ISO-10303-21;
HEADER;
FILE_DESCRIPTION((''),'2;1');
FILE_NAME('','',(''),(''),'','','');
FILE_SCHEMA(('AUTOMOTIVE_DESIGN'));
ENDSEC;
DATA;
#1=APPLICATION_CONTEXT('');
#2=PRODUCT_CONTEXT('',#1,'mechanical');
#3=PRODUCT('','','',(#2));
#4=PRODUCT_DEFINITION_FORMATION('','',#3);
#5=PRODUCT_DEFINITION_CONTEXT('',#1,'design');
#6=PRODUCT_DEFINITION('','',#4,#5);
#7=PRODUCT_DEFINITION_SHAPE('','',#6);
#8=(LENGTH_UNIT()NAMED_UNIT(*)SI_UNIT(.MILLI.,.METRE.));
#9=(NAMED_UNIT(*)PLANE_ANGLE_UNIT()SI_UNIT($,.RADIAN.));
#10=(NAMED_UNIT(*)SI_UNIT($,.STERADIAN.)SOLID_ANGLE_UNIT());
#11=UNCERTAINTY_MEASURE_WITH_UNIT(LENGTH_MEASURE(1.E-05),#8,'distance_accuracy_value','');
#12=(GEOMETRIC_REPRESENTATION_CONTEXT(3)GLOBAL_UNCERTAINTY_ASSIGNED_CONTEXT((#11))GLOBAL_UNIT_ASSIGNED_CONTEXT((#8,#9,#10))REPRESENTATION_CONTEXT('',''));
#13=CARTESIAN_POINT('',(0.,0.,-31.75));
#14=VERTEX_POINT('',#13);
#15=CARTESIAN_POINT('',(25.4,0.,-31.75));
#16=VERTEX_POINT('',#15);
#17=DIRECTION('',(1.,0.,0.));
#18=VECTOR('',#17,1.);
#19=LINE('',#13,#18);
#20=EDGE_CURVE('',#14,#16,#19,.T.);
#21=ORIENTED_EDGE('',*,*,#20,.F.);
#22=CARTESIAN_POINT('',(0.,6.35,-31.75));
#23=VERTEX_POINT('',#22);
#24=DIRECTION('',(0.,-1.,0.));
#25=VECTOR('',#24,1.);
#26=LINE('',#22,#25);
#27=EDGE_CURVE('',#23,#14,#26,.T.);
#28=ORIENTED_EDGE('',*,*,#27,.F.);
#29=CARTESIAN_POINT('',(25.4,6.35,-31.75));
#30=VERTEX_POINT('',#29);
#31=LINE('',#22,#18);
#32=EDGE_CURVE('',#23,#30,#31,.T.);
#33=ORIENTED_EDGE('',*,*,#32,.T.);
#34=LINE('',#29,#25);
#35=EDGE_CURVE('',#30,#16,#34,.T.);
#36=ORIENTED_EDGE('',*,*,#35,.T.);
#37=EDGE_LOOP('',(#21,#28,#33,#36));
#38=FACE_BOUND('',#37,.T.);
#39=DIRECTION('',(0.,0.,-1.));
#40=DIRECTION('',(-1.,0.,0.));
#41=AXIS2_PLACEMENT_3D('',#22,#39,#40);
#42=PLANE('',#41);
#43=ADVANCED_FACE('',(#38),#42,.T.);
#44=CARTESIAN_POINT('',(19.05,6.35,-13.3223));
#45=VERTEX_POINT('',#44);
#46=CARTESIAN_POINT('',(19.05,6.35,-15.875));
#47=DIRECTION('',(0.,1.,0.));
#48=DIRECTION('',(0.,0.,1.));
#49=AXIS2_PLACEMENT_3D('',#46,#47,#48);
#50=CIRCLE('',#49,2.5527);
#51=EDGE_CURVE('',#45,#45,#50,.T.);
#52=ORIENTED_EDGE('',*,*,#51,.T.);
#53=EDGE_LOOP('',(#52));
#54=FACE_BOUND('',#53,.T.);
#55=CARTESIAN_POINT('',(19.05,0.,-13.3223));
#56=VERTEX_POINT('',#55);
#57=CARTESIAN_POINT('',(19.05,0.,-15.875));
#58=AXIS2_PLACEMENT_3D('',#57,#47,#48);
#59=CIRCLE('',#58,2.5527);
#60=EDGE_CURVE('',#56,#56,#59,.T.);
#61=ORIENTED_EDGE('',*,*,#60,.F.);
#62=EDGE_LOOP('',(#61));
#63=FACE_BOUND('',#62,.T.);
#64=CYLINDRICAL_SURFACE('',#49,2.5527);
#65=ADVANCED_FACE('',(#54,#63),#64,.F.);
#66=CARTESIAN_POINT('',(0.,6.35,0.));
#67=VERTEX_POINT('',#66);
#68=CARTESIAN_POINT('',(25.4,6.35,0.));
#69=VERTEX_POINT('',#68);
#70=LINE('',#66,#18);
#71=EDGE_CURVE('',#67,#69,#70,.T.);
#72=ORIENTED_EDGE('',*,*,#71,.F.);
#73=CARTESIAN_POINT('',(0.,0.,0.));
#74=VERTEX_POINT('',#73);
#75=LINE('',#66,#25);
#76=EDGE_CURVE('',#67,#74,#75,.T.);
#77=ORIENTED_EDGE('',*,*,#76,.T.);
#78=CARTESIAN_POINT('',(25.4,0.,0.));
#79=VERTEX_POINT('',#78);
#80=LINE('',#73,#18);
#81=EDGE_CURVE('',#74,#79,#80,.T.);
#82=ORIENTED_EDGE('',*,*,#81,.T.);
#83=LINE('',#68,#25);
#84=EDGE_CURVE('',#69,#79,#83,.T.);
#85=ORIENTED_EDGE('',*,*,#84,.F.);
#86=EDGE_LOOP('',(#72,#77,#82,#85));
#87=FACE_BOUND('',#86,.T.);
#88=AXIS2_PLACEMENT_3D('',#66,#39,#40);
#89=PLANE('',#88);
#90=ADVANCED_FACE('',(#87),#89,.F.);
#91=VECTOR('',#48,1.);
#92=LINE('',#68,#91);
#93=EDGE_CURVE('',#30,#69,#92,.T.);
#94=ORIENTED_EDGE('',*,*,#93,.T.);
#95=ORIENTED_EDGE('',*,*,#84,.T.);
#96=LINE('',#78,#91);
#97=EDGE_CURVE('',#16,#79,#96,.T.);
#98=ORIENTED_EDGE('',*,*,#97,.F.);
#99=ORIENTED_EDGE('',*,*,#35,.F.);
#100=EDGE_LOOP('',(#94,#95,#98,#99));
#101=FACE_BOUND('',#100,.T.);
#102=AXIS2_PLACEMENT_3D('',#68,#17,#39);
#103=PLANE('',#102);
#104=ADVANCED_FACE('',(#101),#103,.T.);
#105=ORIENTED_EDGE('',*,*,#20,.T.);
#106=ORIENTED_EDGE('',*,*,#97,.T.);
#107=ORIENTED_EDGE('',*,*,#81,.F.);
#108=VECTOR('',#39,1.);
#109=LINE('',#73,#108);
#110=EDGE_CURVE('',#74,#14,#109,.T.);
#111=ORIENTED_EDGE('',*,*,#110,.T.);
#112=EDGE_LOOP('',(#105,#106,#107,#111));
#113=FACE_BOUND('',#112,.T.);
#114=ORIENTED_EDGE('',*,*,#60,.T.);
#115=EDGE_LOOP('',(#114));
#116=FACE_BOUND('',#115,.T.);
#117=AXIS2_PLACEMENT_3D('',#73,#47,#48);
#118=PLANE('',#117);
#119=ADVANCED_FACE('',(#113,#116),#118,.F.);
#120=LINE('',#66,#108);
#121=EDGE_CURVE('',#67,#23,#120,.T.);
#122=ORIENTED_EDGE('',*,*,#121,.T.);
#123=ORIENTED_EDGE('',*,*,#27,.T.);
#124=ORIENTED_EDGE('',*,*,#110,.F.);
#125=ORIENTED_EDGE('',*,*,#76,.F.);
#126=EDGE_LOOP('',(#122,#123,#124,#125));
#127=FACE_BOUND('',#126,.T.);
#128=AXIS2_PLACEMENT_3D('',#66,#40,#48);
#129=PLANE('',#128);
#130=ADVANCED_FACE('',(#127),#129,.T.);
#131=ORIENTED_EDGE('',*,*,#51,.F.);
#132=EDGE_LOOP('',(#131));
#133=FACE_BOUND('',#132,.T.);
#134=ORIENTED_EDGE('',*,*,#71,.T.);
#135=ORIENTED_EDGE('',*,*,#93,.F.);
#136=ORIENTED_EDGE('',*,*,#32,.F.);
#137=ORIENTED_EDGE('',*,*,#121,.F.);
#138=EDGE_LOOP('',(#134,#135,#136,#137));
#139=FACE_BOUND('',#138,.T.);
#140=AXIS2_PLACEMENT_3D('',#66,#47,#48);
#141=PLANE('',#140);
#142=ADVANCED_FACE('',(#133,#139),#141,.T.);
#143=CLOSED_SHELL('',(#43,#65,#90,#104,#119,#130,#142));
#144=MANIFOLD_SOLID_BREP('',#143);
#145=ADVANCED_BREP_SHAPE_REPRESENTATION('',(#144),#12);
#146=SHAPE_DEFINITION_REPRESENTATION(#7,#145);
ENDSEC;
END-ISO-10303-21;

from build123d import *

# Parameters (mm, degrees)
SKETCH2_W                   = 25.4
SKETCH2_H                   = 31.75
BOSS_EXTRUDE1_DEPTH         = 6.35
F_1_4_20_TAPPED_HOLE1_D     = 5.1054
F_1_4_20_TAPPED_HOLE1_DEPTH = 19.05
F_1_4_20_TAPPED_HOLE1_TIP   = 1.533816902


with BuildPart() as part:
    # Sketch2 → Boss-Extrude1 (new body)
    with BuildSketch(Plane(origin=(0, 0, 0), x_dir=(1, 0, 0), z_dir=(0, 1, 0))):
        with Locations((12.7, 15.875)):
            Rectangle(SKETCH2_W, SKETCH2_H)
    extrude(amount=BOSS_EXTRUDE1_DEPTH)

    # 1/4-20 Tapped Hole1
    with Locations(Plane(origin=(19.05, 6.35, -15.875), x_dir=(0, 0, 1), z_dir=(0, 1, 0))):
        with Locations((0, 0)):
            Hole(F_1_4_20_TAPPED_HOLE1_D / 2, depth=F_1_4_20_TAPPED_HOLE1_DEPTH)
            with Locations((0, 0, -(F_1_4_20_TAPPED_HOLE1_DEPTH + F_1_4_20_TAPPED_HOLE1_TIP / 2))):  # 118° drill point
                Cone(0, F_1_4_20_TAPPED_HOLE1_D / 2, F_1_4_20_TAPPED_HOLE1_TIP, mode=Mode.SUBTRACT)


solid = part.part
